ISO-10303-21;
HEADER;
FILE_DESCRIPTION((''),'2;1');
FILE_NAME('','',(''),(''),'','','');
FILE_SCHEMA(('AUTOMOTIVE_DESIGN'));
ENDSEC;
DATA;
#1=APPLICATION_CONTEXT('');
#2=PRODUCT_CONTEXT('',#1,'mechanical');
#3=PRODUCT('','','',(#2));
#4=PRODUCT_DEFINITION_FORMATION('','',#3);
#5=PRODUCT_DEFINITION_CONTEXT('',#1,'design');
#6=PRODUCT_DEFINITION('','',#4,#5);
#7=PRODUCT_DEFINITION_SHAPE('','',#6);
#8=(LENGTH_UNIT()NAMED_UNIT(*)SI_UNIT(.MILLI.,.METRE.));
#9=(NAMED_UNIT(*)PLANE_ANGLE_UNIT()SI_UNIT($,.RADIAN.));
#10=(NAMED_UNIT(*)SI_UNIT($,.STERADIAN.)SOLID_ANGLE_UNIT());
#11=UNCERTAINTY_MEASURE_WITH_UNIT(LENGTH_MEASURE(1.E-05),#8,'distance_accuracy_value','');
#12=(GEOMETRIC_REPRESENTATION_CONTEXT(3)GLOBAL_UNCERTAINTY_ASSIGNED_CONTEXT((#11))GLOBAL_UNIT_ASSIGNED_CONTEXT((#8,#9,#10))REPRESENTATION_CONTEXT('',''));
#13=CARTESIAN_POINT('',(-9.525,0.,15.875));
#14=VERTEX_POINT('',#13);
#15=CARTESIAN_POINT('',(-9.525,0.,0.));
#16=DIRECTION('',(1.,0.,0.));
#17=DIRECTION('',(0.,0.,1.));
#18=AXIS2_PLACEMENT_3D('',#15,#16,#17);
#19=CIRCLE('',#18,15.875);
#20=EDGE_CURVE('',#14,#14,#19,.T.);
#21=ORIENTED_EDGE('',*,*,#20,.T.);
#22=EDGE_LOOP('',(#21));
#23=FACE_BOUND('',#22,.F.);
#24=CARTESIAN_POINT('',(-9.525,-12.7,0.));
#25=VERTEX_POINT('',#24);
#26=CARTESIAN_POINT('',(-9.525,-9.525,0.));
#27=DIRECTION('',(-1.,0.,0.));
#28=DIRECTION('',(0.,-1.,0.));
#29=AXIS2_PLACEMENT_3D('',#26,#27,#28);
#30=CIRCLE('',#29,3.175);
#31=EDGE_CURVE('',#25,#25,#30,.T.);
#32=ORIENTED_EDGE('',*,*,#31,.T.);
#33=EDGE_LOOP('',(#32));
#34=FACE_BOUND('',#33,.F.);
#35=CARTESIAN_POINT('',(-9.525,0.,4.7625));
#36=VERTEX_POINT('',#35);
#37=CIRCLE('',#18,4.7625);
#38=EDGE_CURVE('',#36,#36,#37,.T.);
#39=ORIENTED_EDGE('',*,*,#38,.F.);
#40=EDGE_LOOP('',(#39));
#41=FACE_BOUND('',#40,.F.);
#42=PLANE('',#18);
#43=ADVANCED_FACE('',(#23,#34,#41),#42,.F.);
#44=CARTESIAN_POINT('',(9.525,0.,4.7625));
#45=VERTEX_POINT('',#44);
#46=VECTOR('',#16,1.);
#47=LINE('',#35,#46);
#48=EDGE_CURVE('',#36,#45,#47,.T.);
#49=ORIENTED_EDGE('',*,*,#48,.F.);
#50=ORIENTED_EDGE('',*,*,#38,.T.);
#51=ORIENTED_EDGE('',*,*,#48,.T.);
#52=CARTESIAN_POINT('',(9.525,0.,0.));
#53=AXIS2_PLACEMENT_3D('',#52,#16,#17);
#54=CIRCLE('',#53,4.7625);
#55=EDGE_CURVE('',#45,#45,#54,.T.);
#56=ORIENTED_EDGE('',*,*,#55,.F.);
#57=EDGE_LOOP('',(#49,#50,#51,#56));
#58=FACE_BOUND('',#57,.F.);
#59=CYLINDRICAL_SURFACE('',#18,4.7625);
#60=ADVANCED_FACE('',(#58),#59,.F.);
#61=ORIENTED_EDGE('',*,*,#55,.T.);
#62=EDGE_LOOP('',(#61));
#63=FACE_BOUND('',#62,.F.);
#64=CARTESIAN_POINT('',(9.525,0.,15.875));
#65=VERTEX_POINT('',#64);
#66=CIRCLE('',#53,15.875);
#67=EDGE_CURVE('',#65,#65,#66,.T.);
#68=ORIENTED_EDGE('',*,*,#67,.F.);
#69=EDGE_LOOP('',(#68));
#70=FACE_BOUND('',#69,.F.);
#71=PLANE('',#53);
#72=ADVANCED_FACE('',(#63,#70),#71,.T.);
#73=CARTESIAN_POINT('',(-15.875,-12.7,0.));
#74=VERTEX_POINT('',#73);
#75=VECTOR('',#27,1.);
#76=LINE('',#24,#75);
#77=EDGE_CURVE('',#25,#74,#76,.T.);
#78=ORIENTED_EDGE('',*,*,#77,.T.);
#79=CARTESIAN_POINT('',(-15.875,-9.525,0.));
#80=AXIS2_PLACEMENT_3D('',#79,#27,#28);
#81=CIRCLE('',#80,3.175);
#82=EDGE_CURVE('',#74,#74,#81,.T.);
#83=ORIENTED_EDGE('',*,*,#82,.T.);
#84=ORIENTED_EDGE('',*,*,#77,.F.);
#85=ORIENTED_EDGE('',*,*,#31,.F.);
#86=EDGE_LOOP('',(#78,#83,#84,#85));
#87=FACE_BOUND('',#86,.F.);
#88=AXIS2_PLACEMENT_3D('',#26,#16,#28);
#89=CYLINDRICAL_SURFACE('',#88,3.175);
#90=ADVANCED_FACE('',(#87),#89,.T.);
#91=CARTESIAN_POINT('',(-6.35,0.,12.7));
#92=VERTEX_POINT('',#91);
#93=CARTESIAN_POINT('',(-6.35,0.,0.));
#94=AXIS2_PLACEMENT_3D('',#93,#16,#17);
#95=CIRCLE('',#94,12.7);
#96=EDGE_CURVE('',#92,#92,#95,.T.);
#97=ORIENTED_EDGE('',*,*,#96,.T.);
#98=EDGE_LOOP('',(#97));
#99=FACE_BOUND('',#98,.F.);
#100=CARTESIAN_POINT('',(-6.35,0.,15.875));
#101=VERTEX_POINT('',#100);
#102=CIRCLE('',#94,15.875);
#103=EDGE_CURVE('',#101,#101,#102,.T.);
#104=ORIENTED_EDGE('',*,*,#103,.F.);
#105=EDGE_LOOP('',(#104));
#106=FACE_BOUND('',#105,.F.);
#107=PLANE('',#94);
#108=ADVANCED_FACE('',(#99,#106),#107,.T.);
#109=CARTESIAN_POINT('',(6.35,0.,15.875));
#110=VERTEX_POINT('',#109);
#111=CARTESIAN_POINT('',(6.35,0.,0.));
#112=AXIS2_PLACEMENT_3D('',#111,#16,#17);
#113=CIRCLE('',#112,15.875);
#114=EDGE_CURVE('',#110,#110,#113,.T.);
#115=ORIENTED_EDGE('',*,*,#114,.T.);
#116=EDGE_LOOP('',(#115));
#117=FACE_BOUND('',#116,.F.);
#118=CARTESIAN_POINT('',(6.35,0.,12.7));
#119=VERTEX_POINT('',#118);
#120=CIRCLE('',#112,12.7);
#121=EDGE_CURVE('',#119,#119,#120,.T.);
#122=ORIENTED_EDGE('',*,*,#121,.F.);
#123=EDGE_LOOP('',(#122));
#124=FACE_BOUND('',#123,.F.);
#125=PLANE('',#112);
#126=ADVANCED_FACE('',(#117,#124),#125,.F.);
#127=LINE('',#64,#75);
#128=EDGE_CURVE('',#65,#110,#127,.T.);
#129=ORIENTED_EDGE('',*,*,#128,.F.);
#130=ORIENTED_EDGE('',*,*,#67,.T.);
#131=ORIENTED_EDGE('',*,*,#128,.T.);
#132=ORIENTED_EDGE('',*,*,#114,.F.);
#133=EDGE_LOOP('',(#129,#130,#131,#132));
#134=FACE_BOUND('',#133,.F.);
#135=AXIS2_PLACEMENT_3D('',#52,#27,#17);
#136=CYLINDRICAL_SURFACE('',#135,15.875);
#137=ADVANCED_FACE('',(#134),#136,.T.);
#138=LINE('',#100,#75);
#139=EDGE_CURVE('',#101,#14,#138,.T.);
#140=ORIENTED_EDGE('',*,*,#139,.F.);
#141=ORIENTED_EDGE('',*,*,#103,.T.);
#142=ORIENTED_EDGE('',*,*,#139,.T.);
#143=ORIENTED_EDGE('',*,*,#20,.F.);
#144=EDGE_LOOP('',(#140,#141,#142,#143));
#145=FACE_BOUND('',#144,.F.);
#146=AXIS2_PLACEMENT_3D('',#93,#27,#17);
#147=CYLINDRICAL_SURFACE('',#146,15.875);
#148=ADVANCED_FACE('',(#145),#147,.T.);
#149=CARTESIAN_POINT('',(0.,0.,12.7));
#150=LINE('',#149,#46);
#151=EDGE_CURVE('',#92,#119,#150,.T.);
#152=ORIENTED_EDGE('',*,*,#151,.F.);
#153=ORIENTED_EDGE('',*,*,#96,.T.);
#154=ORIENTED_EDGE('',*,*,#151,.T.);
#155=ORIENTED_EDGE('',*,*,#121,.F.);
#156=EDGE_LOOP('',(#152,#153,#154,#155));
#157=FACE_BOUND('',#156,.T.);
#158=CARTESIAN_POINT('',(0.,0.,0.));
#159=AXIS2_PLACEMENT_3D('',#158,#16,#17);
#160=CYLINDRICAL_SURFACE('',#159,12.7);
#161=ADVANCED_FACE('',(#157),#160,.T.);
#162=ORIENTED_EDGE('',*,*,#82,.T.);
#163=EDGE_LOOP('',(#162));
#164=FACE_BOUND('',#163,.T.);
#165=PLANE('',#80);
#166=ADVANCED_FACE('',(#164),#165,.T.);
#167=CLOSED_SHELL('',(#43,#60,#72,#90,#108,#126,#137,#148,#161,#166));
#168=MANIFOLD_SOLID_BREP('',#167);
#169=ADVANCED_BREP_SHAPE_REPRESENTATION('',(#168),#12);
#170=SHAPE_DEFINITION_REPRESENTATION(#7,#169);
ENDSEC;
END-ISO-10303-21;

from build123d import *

# Parameters (mm, degrees)
F0_W     = 12.7
F0_H     = 7.9375
F2_R     = 3.175
F3_DEPTH = 6.35


with BuildPart() as f1:
    # F0 (on Front) → F1 (revolve)
    with BuildSketch(Plane.XZ):
        with Locations((0, 8.73125)):
            Rectangle(F0_W, F0_H)
        Polygon((6.35, 15.875), (6.35, 12.7), (6.35, 4.7625), (9.525, 4.7625), (9.525, 15.875), align=None)
        Polygon((-6.35, 4.7625), (-6.35, 12.7), (-6.35, 15.875), (-9.525, 15.875), (-9.525, 4.7625), align=None)
    revolve(axis=Axis((0, 0, 0), (1, 0, 0)))

    # F2 (on face) → F3 (join)
    with BuildSketch(Plane(origin=(-9.525, 0, 0), x_dir=(0, -1, 0), z_dir=(-1, 0, 0))):
        with Locations((9.525, 0)):
            Circle(F2_R)
    extrude(amount=F3_DEPTH)


solid = f1.part
